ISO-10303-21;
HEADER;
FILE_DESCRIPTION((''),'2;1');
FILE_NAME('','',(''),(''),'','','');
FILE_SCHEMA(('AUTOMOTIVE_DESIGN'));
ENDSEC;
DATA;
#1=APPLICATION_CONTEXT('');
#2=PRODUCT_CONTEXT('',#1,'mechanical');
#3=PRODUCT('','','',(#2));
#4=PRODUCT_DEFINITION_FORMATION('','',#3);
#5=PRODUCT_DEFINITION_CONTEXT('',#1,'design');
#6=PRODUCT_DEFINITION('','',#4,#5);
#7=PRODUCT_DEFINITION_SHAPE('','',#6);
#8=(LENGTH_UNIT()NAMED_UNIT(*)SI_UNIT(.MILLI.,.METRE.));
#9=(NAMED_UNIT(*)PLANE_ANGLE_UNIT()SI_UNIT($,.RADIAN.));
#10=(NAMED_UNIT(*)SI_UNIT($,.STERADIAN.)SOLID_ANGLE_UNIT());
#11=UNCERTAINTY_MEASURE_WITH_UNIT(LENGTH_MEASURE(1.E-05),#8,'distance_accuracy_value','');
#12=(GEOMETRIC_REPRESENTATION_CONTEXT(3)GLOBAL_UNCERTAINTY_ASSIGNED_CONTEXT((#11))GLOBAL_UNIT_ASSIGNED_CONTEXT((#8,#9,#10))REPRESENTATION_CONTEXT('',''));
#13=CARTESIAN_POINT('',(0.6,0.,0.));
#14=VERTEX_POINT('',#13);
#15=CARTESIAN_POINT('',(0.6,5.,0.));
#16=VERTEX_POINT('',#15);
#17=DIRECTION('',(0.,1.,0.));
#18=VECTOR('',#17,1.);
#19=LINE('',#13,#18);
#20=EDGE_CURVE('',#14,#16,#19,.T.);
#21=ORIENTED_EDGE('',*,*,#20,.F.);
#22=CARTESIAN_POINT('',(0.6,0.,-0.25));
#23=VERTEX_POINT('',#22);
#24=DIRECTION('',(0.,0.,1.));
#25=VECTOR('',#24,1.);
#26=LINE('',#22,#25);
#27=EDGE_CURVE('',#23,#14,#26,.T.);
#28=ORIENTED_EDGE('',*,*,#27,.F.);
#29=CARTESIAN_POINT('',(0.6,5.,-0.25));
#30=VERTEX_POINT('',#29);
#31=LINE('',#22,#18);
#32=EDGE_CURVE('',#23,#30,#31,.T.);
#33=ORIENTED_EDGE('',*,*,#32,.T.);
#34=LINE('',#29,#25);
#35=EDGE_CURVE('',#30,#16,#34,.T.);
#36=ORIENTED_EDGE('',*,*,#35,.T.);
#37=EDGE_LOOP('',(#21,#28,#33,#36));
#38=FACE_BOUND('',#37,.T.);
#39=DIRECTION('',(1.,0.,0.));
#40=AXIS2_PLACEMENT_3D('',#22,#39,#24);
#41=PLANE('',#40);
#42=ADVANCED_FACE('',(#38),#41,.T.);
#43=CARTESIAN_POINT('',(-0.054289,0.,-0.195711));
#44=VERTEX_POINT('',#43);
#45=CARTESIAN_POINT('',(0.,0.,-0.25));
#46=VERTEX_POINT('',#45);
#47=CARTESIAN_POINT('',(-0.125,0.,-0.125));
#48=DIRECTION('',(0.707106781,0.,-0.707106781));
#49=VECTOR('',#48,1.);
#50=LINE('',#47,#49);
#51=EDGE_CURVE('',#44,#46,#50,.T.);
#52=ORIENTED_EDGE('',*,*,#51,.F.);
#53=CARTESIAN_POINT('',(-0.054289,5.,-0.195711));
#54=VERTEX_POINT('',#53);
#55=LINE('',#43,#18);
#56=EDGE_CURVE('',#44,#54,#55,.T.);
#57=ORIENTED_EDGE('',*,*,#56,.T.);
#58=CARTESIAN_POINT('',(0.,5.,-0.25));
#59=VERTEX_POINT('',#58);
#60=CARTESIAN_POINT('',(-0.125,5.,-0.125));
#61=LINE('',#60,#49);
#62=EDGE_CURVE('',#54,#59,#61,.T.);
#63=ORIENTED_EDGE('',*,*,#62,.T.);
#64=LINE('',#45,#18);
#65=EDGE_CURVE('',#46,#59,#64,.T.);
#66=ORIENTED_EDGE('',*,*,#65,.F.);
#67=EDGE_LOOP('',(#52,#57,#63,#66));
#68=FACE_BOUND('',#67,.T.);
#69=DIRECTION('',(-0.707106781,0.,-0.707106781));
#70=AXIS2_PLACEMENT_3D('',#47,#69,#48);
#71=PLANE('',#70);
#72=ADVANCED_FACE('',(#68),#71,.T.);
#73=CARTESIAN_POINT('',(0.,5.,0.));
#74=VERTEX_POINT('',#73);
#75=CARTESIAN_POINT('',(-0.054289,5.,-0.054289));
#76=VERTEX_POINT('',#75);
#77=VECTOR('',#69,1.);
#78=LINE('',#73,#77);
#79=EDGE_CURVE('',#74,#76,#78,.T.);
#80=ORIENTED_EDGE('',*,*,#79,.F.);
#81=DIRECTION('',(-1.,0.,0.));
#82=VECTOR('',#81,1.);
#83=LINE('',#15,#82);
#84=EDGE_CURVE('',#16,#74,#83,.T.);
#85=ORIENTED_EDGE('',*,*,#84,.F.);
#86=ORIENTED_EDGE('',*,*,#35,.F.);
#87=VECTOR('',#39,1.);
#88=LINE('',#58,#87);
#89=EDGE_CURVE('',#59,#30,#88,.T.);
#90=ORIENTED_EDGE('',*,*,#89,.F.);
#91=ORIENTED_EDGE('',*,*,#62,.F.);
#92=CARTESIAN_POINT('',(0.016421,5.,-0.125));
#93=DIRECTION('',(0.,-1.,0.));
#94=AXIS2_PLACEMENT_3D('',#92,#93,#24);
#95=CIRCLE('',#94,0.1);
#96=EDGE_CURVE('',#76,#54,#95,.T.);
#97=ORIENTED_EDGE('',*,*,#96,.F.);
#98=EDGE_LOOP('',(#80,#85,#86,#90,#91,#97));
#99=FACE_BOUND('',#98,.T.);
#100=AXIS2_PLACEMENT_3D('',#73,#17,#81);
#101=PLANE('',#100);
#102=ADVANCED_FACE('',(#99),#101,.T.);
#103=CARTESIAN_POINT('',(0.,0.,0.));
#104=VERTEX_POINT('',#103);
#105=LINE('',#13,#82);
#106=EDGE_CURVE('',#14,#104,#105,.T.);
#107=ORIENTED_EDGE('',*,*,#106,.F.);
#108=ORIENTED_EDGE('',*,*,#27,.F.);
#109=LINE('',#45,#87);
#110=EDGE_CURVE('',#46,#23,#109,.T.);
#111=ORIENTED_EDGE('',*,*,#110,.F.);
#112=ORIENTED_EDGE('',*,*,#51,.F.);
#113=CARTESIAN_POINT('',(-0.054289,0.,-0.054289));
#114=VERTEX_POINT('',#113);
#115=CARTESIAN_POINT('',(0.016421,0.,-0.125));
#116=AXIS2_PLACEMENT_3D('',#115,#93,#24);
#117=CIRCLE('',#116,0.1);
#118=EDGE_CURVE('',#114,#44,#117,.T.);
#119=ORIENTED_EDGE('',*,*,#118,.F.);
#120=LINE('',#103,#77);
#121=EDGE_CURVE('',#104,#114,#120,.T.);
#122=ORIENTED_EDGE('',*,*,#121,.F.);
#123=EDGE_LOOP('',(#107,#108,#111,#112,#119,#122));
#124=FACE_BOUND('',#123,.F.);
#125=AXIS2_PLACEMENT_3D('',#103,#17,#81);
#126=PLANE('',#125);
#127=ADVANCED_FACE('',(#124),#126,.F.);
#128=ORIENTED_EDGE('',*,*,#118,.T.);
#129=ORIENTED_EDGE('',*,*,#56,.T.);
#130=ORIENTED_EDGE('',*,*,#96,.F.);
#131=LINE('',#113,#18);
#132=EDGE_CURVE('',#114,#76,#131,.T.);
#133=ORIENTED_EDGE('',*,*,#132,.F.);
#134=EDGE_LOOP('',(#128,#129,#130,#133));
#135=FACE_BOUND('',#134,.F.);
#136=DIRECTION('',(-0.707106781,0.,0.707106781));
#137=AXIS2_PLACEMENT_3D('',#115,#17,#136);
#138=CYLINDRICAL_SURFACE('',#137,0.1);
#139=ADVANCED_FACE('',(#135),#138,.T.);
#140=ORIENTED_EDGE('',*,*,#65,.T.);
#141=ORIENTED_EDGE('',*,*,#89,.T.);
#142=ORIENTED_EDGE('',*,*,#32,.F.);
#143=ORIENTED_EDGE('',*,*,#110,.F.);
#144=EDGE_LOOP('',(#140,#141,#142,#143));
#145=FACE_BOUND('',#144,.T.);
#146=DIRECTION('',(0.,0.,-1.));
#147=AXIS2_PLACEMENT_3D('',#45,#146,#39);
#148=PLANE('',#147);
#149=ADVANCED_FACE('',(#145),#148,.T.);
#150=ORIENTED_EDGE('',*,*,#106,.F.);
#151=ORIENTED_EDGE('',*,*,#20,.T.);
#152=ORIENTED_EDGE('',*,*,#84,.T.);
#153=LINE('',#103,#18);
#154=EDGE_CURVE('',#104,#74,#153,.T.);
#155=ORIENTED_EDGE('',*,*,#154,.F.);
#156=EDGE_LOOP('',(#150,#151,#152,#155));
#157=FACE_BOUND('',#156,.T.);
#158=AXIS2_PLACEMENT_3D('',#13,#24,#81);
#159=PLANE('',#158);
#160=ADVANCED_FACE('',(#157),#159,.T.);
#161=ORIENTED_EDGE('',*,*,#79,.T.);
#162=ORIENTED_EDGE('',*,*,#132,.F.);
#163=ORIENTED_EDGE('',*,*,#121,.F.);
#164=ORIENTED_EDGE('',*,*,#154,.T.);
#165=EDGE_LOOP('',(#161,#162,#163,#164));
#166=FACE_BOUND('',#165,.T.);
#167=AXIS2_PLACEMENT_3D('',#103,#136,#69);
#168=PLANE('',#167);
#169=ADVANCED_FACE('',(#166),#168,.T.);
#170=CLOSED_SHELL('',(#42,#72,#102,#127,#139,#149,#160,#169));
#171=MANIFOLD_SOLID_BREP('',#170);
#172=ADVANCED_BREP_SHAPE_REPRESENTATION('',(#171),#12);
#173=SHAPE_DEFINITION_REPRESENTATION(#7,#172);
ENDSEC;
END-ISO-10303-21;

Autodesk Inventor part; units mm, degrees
ref_plane "YZ Plane" through (0, 0, 0) normal (1, 0, 0) x (0, 1, 0)
ref_plane "XZ Plane" through (0, 0, 0) normal (0, 1, 0) x (-1, 0, 0)
ref_plane "XY Plane" through (0, 0, 0) normal (0, 0, 1) x (1, 0, 0)
sketch "草圖1" plane through (0, 0, 0) normal (0, 1, 0) x (-1, 0, 0)
  line L0 (0, 0) -> (0, -0.25)
  line L1 (0, 0) -> (0, -0.25)
  line L2 (0, -0.25) -> (-0.6, -0.25)
  line L3 (-0.6, -0.25) -> (-0.6, 0)
  line L4 (-0.6, 0) -> (0, 0)
  line L5 (0, 0) -> (0.125, -0.125)
  line L6 (0.125, -0.125) -> (0, -0.25)
  dimension "d0" = 0.25
  dimension "d1" = 0.6
  dimension "d2" = 45
extrude "擠出1" add sketch "草圖1" along normal blind 5
fillet "圓角1" radius 0.1 1 edges at (-0.125, 2.5, -0.125)
properties part number "窗側柱_無底"
